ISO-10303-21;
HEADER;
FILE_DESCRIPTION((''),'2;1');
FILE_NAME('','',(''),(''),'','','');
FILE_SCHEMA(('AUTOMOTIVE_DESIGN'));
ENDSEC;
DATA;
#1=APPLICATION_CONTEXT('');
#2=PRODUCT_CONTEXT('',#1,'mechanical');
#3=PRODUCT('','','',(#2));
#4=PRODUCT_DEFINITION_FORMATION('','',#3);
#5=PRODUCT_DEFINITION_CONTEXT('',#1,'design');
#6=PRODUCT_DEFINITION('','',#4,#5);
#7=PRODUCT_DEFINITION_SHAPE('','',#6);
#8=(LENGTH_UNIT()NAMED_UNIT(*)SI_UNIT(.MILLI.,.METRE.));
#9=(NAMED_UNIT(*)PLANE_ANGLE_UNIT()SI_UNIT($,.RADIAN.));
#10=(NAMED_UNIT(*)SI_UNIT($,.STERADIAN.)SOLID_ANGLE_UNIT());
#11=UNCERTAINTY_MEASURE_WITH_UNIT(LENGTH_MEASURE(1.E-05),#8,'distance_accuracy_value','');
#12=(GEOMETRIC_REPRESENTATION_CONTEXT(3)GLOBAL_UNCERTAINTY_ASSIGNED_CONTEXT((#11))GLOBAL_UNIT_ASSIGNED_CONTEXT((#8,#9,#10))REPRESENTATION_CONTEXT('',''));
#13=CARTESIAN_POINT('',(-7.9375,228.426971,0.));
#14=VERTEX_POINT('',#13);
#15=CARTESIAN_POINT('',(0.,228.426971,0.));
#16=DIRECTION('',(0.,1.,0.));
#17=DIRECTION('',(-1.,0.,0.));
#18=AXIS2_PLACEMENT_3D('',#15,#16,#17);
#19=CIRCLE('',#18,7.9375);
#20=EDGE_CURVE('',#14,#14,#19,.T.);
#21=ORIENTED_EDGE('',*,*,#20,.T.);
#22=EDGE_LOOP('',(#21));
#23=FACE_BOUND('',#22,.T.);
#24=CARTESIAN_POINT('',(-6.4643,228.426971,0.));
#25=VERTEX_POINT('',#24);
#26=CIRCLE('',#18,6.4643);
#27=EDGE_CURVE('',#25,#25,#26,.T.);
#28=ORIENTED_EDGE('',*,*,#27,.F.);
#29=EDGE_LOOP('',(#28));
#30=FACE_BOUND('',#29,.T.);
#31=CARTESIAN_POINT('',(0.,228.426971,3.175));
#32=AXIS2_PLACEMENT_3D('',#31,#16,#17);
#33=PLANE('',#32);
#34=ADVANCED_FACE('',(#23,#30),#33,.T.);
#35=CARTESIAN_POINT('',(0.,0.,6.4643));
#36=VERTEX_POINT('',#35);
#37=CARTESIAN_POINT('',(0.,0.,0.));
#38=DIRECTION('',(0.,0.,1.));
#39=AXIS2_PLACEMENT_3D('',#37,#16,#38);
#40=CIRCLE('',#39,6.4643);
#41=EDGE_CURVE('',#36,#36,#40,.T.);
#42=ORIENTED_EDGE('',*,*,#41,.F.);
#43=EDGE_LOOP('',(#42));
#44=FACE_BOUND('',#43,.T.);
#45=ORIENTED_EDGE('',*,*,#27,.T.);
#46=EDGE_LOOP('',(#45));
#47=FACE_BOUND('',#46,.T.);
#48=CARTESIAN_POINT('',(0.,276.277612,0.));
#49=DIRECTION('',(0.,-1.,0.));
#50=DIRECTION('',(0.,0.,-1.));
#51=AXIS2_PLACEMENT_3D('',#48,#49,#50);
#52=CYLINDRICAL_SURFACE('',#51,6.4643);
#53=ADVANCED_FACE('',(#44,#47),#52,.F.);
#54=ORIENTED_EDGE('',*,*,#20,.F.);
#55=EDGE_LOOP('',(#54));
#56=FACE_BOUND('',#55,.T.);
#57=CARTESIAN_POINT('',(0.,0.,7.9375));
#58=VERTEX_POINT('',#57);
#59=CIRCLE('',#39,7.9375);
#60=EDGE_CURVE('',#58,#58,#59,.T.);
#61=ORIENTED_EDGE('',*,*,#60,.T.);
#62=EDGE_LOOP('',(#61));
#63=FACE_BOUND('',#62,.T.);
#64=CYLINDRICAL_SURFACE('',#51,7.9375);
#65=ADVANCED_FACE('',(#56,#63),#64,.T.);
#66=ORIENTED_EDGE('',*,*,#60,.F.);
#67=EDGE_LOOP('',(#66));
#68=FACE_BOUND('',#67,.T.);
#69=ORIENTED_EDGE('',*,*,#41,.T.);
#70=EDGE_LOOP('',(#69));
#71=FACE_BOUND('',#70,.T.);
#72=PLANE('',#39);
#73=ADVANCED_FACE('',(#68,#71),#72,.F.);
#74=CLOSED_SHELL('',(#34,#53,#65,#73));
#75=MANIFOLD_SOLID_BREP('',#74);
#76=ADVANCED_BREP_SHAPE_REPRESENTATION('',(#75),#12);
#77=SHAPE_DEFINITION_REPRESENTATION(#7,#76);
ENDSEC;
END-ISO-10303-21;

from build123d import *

# Parameters (mm, degrees)
SKETCH1_R           = 7.9375
SKETCH1_R_2         = 6.4643
BOSS_EXTRUDE1_DEPTH = 228.426971443


with BuildPart() as part:
    # Sketch1 → Boss-Extrude1 (new body)
    with BuildSketch(Plane(origin=(0, 0, 0), x_dir=(1, 0, 0), z_dir=(0, 1, 0))):
        with Locations(Location((0, 0, 0), (0, 0, 180))):
            Circle(SKETCH1_R)
        with Locations(Location((0, 0, 0), (0, 0, 180))):
            Circle(SKETCH1_R_2, mode=Mode.SUBTRACT)
    extrude(amount=BOSS_EXTRUDE1_DEPTH)


solid = part.part
